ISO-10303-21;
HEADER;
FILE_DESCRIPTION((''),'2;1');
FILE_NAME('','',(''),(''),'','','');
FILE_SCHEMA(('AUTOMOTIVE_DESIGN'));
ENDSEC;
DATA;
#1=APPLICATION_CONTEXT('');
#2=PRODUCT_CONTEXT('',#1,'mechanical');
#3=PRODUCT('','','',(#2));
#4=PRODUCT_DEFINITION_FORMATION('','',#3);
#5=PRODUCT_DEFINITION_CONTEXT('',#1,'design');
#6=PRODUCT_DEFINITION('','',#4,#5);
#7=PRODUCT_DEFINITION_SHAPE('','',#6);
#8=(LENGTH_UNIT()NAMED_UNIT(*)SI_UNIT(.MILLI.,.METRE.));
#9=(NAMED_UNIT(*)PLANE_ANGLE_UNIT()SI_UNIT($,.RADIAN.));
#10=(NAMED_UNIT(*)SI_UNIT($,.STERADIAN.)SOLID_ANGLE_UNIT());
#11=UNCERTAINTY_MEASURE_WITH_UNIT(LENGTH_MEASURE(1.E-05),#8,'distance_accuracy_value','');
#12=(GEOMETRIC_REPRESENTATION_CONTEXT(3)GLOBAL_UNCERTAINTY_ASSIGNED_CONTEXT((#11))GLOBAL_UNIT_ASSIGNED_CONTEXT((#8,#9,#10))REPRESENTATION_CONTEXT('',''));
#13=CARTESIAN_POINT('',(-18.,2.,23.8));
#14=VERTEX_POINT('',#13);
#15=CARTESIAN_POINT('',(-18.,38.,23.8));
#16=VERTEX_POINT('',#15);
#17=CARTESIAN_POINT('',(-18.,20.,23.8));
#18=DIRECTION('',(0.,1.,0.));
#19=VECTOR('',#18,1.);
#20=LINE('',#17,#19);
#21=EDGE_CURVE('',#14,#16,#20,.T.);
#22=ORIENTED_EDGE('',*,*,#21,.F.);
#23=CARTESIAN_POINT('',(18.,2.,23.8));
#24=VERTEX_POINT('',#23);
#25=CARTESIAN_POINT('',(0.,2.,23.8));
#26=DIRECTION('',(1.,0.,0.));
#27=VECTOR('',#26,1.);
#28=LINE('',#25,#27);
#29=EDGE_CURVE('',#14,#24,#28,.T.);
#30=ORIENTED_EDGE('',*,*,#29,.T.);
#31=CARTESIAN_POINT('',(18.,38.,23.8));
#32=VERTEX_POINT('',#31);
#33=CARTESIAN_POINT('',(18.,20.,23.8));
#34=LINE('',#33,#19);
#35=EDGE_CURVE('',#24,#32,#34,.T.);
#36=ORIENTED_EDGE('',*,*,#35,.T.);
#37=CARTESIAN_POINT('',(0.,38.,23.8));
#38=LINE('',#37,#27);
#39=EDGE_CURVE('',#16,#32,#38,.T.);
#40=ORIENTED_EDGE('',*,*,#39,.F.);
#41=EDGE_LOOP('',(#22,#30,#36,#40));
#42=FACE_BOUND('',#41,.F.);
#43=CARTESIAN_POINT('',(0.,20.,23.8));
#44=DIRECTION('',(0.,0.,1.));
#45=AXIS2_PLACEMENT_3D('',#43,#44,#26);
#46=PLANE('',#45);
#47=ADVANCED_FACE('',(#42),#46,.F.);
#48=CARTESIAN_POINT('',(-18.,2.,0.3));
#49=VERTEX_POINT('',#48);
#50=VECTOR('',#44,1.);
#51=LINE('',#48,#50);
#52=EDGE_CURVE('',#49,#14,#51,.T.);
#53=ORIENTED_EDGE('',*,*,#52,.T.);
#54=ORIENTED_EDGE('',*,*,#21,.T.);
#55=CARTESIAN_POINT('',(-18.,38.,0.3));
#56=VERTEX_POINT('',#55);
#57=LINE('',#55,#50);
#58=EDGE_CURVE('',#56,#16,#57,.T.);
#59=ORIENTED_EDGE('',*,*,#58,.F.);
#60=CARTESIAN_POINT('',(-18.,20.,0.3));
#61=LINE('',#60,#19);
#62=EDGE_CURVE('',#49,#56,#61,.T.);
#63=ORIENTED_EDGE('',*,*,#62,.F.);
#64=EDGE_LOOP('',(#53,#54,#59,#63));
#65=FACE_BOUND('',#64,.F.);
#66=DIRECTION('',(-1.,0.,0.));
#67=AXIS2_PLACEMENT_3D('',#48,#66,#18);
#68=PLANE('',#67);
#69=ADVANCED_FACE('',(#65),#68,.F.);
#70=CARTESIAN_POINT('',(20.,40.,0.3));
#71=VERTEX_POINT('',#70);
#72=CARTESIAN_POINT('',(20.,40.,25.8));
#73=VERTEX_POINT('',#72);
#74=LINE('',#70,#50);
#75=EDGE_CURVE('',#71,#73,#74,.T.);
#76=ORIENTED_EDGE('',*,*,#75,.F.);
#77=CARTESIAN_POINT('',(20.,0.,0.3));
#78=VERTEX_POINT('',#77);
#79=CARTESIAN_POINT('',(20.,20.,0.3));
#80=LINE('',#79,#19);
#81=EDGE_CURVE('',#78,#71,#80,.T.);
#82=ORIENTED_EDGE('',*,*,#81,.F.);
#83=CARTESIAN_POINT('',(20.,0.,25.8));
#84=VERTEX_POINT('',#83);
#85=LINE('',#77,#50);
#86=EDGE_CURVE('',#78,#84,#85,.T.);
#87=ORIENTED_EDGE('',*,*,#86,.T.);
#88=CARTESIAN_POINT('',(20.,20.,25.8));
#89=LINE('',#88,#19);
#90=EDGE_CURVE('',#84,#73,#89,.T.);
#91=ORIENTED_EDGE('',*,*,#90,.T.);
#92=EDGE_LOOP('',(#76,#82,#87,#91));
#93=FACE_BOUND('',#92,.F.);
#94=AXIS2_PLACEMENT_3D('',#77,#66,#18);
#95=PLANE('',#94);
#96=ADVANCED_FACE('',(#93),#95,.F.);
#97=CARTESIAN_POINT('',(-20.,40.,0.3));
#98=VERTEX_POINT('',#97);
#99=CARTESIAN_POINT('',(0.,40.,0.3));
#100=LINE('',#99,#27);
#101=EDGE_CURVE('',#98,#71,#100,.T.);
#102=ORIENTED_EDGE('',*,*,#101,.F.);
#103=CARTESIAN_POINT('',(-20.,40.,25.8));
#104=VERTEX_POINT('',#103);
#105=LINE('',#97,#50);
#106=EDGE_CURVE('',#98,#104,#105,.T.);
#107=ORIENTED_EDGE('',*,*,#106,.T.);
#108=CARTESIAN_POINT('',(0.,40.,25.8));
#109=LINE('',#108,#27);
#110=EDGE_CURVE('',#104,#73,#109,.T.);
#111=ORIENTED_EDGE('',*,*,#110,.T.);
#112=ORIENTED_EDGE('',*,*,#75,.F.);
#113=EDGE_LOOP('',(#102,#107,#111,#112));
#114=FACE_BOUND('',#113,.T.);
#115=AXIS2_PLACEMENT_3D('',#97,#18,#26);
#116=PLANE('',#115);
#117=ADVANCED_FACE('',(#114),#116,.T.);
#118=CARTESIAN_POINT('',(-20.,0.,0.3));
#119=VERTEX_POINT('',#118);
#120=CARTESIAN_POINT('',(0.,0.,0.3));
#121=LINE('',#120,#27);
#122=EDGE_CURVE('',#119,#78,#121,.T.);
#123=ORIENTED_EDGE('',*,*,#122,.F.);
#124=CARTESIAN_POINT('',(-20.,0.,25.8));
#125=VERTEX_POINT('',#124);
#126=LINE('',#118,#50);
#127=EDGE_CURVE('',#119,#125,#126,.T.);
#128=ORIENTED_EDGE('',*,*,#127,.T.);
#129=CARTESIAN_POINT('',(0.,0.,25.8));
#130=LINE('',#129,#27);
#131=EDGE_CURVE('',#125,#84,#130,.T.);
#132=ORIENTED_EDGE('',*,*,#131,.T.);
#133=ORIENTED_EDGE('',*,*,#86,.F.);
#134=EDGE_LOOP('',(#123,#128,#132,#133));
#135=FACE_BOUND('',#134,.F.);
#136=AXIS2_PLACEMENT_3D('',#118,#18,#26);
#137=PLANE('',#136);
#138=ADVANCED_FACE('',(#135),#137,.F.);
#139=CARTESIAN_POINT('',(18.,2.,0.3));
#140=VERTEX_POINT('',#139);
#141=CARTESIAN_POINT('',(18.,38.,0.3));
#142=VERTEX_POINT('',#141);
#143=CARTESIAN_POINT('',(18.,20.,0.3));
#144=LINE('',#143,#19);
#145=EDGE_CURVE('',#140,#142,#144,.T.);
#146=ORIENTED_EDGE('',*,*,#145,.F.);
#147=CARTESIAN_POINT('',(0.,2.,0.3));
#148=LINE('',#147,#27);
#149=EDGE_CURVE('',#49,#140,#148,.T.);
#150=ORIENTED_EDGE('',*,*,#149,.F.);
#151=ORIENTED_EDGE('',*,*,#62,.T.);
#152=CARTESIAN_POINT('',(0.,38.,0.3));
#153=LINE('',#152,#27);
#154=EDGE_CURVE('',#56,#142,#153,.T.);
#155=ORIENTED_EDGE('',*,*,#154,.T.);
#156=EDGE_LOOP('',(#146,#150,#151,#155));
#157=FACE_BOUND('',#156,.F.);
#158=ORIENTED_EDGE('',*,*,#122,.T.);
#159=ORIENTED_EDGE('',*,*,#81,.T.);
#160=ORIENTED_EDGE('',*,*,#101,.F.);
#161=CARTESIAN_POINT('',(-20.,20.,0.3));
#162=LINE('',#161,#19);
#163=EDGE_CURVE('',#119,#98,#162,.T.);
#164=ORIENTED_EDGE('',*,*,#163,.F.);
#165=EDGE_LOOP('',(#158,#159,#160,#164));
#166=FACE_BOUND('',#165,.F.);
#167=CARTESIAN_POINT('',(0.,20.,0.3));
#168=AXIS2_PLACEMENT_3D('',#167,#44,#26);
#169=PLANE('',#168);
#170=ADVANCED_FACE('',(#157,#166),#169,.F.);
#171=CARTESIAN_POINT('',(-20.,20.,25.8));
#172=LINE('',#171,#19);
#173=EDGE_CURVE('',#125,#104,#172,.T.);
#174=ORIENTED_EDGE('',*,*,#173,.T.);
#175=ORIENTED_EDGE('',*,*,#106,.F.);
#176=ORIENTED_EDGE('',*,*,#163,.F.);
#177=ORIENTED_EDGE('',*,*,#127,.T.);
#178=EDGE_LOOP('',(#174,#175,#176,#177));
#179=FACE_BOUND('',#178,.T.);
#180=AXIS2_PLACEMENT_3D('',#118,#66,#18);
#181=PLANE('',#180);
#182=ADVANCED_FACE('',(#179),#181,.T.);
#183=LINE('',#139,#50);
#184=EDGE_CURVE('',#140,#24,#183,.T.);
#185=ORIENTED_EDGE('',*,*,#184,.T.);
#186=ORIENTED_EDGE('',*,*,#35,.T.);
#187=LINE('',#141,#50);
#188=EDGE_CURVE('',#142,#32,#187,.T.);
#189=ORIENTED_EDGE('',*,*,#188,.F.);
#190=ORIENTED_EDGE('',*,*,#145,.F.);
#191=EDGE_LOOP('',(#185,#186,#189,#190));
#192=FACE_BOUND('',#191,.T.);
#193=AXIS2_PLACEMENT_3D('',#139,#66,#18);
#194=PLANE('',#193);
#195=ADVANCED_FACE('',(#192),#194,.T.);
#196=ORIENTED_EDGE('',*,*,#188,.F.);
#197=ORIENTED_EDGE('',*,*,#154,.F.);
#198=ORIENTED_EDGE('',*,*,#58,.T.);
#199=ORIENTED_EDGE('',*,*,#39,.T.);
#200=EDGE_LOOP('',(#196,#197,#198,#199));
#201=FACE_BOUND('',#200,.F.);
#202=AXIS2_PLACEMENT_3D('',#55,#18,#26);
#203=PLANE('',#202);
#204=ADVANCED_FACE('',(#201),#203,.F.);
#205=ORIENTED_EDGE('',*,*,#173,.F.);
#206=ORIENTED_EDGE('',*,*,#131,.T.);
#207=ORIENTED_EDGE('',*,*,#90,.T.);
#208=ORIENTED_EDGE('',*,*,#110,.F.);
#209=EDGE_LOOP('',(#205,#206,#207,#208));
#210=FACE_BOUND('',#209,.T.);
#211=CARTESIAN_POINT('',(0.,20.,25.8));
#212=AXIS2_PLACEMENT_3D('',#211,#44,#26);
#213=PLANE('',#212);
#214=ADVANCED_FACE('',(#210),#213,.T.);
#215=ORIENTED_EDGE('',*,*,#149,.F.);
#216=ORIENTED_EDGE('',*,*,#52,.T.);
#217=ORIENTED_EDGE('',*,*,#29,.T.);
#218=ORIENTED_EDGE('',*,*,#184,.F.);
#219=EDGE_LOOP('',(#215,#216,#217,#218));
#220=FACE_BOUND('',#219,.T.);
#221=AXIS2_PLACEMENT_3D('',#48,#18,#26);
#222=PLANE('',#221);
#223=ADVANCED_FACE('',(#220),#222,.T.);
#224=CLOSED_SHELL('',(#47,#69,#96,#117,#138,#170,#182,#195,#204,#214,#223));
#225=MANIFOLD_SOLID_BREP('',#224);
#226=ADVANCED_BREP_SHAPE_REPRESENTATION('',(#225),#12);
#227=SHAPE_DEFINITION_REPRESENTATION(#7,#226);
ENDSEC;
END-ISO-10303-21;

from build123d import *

# Parameters (mm, degrees)
BOX001_W     = 36
BOX001_H     = 36
BOX001_DEPTH = 23.5
BOX_W        = 40
BOX_H        = 40
BOX_DEPTH    = 25.5


with BuildPart() as cube001:
    # Box001 → Box001 (new body)
    with BuildSketch(Plane(origin=(-18, 2, 0), x_dir=(1, 0, 0), z_dir=(0, 0, 1))):
        with Locations((18, 18)):
            Rectangle(BOX001_W, BOX001_H)
    extrude(amount=BOX001_DEPTH)


with BuildPart() as cut:
    # Box → Box (new body)
    with BuildSketch(Plane(origin=(-20, 0, 0), x_dir=(1, 0, 0), z_dir=(0, 0, 1))):
        with Locations((20, 20)):
            Rectangle(BOX_W, BOX_H)
    extrude(amount=BOX_DEPTH)

    # Cut: cut Cube001
    add(cube001.part, mode=Mode.SUBTRACT)


with BuildPart() as cut_1:
    # Cut placement: moved
    add(cut.part.moved(Location((0, 0, 0.3))))


solid = cut_1.part
